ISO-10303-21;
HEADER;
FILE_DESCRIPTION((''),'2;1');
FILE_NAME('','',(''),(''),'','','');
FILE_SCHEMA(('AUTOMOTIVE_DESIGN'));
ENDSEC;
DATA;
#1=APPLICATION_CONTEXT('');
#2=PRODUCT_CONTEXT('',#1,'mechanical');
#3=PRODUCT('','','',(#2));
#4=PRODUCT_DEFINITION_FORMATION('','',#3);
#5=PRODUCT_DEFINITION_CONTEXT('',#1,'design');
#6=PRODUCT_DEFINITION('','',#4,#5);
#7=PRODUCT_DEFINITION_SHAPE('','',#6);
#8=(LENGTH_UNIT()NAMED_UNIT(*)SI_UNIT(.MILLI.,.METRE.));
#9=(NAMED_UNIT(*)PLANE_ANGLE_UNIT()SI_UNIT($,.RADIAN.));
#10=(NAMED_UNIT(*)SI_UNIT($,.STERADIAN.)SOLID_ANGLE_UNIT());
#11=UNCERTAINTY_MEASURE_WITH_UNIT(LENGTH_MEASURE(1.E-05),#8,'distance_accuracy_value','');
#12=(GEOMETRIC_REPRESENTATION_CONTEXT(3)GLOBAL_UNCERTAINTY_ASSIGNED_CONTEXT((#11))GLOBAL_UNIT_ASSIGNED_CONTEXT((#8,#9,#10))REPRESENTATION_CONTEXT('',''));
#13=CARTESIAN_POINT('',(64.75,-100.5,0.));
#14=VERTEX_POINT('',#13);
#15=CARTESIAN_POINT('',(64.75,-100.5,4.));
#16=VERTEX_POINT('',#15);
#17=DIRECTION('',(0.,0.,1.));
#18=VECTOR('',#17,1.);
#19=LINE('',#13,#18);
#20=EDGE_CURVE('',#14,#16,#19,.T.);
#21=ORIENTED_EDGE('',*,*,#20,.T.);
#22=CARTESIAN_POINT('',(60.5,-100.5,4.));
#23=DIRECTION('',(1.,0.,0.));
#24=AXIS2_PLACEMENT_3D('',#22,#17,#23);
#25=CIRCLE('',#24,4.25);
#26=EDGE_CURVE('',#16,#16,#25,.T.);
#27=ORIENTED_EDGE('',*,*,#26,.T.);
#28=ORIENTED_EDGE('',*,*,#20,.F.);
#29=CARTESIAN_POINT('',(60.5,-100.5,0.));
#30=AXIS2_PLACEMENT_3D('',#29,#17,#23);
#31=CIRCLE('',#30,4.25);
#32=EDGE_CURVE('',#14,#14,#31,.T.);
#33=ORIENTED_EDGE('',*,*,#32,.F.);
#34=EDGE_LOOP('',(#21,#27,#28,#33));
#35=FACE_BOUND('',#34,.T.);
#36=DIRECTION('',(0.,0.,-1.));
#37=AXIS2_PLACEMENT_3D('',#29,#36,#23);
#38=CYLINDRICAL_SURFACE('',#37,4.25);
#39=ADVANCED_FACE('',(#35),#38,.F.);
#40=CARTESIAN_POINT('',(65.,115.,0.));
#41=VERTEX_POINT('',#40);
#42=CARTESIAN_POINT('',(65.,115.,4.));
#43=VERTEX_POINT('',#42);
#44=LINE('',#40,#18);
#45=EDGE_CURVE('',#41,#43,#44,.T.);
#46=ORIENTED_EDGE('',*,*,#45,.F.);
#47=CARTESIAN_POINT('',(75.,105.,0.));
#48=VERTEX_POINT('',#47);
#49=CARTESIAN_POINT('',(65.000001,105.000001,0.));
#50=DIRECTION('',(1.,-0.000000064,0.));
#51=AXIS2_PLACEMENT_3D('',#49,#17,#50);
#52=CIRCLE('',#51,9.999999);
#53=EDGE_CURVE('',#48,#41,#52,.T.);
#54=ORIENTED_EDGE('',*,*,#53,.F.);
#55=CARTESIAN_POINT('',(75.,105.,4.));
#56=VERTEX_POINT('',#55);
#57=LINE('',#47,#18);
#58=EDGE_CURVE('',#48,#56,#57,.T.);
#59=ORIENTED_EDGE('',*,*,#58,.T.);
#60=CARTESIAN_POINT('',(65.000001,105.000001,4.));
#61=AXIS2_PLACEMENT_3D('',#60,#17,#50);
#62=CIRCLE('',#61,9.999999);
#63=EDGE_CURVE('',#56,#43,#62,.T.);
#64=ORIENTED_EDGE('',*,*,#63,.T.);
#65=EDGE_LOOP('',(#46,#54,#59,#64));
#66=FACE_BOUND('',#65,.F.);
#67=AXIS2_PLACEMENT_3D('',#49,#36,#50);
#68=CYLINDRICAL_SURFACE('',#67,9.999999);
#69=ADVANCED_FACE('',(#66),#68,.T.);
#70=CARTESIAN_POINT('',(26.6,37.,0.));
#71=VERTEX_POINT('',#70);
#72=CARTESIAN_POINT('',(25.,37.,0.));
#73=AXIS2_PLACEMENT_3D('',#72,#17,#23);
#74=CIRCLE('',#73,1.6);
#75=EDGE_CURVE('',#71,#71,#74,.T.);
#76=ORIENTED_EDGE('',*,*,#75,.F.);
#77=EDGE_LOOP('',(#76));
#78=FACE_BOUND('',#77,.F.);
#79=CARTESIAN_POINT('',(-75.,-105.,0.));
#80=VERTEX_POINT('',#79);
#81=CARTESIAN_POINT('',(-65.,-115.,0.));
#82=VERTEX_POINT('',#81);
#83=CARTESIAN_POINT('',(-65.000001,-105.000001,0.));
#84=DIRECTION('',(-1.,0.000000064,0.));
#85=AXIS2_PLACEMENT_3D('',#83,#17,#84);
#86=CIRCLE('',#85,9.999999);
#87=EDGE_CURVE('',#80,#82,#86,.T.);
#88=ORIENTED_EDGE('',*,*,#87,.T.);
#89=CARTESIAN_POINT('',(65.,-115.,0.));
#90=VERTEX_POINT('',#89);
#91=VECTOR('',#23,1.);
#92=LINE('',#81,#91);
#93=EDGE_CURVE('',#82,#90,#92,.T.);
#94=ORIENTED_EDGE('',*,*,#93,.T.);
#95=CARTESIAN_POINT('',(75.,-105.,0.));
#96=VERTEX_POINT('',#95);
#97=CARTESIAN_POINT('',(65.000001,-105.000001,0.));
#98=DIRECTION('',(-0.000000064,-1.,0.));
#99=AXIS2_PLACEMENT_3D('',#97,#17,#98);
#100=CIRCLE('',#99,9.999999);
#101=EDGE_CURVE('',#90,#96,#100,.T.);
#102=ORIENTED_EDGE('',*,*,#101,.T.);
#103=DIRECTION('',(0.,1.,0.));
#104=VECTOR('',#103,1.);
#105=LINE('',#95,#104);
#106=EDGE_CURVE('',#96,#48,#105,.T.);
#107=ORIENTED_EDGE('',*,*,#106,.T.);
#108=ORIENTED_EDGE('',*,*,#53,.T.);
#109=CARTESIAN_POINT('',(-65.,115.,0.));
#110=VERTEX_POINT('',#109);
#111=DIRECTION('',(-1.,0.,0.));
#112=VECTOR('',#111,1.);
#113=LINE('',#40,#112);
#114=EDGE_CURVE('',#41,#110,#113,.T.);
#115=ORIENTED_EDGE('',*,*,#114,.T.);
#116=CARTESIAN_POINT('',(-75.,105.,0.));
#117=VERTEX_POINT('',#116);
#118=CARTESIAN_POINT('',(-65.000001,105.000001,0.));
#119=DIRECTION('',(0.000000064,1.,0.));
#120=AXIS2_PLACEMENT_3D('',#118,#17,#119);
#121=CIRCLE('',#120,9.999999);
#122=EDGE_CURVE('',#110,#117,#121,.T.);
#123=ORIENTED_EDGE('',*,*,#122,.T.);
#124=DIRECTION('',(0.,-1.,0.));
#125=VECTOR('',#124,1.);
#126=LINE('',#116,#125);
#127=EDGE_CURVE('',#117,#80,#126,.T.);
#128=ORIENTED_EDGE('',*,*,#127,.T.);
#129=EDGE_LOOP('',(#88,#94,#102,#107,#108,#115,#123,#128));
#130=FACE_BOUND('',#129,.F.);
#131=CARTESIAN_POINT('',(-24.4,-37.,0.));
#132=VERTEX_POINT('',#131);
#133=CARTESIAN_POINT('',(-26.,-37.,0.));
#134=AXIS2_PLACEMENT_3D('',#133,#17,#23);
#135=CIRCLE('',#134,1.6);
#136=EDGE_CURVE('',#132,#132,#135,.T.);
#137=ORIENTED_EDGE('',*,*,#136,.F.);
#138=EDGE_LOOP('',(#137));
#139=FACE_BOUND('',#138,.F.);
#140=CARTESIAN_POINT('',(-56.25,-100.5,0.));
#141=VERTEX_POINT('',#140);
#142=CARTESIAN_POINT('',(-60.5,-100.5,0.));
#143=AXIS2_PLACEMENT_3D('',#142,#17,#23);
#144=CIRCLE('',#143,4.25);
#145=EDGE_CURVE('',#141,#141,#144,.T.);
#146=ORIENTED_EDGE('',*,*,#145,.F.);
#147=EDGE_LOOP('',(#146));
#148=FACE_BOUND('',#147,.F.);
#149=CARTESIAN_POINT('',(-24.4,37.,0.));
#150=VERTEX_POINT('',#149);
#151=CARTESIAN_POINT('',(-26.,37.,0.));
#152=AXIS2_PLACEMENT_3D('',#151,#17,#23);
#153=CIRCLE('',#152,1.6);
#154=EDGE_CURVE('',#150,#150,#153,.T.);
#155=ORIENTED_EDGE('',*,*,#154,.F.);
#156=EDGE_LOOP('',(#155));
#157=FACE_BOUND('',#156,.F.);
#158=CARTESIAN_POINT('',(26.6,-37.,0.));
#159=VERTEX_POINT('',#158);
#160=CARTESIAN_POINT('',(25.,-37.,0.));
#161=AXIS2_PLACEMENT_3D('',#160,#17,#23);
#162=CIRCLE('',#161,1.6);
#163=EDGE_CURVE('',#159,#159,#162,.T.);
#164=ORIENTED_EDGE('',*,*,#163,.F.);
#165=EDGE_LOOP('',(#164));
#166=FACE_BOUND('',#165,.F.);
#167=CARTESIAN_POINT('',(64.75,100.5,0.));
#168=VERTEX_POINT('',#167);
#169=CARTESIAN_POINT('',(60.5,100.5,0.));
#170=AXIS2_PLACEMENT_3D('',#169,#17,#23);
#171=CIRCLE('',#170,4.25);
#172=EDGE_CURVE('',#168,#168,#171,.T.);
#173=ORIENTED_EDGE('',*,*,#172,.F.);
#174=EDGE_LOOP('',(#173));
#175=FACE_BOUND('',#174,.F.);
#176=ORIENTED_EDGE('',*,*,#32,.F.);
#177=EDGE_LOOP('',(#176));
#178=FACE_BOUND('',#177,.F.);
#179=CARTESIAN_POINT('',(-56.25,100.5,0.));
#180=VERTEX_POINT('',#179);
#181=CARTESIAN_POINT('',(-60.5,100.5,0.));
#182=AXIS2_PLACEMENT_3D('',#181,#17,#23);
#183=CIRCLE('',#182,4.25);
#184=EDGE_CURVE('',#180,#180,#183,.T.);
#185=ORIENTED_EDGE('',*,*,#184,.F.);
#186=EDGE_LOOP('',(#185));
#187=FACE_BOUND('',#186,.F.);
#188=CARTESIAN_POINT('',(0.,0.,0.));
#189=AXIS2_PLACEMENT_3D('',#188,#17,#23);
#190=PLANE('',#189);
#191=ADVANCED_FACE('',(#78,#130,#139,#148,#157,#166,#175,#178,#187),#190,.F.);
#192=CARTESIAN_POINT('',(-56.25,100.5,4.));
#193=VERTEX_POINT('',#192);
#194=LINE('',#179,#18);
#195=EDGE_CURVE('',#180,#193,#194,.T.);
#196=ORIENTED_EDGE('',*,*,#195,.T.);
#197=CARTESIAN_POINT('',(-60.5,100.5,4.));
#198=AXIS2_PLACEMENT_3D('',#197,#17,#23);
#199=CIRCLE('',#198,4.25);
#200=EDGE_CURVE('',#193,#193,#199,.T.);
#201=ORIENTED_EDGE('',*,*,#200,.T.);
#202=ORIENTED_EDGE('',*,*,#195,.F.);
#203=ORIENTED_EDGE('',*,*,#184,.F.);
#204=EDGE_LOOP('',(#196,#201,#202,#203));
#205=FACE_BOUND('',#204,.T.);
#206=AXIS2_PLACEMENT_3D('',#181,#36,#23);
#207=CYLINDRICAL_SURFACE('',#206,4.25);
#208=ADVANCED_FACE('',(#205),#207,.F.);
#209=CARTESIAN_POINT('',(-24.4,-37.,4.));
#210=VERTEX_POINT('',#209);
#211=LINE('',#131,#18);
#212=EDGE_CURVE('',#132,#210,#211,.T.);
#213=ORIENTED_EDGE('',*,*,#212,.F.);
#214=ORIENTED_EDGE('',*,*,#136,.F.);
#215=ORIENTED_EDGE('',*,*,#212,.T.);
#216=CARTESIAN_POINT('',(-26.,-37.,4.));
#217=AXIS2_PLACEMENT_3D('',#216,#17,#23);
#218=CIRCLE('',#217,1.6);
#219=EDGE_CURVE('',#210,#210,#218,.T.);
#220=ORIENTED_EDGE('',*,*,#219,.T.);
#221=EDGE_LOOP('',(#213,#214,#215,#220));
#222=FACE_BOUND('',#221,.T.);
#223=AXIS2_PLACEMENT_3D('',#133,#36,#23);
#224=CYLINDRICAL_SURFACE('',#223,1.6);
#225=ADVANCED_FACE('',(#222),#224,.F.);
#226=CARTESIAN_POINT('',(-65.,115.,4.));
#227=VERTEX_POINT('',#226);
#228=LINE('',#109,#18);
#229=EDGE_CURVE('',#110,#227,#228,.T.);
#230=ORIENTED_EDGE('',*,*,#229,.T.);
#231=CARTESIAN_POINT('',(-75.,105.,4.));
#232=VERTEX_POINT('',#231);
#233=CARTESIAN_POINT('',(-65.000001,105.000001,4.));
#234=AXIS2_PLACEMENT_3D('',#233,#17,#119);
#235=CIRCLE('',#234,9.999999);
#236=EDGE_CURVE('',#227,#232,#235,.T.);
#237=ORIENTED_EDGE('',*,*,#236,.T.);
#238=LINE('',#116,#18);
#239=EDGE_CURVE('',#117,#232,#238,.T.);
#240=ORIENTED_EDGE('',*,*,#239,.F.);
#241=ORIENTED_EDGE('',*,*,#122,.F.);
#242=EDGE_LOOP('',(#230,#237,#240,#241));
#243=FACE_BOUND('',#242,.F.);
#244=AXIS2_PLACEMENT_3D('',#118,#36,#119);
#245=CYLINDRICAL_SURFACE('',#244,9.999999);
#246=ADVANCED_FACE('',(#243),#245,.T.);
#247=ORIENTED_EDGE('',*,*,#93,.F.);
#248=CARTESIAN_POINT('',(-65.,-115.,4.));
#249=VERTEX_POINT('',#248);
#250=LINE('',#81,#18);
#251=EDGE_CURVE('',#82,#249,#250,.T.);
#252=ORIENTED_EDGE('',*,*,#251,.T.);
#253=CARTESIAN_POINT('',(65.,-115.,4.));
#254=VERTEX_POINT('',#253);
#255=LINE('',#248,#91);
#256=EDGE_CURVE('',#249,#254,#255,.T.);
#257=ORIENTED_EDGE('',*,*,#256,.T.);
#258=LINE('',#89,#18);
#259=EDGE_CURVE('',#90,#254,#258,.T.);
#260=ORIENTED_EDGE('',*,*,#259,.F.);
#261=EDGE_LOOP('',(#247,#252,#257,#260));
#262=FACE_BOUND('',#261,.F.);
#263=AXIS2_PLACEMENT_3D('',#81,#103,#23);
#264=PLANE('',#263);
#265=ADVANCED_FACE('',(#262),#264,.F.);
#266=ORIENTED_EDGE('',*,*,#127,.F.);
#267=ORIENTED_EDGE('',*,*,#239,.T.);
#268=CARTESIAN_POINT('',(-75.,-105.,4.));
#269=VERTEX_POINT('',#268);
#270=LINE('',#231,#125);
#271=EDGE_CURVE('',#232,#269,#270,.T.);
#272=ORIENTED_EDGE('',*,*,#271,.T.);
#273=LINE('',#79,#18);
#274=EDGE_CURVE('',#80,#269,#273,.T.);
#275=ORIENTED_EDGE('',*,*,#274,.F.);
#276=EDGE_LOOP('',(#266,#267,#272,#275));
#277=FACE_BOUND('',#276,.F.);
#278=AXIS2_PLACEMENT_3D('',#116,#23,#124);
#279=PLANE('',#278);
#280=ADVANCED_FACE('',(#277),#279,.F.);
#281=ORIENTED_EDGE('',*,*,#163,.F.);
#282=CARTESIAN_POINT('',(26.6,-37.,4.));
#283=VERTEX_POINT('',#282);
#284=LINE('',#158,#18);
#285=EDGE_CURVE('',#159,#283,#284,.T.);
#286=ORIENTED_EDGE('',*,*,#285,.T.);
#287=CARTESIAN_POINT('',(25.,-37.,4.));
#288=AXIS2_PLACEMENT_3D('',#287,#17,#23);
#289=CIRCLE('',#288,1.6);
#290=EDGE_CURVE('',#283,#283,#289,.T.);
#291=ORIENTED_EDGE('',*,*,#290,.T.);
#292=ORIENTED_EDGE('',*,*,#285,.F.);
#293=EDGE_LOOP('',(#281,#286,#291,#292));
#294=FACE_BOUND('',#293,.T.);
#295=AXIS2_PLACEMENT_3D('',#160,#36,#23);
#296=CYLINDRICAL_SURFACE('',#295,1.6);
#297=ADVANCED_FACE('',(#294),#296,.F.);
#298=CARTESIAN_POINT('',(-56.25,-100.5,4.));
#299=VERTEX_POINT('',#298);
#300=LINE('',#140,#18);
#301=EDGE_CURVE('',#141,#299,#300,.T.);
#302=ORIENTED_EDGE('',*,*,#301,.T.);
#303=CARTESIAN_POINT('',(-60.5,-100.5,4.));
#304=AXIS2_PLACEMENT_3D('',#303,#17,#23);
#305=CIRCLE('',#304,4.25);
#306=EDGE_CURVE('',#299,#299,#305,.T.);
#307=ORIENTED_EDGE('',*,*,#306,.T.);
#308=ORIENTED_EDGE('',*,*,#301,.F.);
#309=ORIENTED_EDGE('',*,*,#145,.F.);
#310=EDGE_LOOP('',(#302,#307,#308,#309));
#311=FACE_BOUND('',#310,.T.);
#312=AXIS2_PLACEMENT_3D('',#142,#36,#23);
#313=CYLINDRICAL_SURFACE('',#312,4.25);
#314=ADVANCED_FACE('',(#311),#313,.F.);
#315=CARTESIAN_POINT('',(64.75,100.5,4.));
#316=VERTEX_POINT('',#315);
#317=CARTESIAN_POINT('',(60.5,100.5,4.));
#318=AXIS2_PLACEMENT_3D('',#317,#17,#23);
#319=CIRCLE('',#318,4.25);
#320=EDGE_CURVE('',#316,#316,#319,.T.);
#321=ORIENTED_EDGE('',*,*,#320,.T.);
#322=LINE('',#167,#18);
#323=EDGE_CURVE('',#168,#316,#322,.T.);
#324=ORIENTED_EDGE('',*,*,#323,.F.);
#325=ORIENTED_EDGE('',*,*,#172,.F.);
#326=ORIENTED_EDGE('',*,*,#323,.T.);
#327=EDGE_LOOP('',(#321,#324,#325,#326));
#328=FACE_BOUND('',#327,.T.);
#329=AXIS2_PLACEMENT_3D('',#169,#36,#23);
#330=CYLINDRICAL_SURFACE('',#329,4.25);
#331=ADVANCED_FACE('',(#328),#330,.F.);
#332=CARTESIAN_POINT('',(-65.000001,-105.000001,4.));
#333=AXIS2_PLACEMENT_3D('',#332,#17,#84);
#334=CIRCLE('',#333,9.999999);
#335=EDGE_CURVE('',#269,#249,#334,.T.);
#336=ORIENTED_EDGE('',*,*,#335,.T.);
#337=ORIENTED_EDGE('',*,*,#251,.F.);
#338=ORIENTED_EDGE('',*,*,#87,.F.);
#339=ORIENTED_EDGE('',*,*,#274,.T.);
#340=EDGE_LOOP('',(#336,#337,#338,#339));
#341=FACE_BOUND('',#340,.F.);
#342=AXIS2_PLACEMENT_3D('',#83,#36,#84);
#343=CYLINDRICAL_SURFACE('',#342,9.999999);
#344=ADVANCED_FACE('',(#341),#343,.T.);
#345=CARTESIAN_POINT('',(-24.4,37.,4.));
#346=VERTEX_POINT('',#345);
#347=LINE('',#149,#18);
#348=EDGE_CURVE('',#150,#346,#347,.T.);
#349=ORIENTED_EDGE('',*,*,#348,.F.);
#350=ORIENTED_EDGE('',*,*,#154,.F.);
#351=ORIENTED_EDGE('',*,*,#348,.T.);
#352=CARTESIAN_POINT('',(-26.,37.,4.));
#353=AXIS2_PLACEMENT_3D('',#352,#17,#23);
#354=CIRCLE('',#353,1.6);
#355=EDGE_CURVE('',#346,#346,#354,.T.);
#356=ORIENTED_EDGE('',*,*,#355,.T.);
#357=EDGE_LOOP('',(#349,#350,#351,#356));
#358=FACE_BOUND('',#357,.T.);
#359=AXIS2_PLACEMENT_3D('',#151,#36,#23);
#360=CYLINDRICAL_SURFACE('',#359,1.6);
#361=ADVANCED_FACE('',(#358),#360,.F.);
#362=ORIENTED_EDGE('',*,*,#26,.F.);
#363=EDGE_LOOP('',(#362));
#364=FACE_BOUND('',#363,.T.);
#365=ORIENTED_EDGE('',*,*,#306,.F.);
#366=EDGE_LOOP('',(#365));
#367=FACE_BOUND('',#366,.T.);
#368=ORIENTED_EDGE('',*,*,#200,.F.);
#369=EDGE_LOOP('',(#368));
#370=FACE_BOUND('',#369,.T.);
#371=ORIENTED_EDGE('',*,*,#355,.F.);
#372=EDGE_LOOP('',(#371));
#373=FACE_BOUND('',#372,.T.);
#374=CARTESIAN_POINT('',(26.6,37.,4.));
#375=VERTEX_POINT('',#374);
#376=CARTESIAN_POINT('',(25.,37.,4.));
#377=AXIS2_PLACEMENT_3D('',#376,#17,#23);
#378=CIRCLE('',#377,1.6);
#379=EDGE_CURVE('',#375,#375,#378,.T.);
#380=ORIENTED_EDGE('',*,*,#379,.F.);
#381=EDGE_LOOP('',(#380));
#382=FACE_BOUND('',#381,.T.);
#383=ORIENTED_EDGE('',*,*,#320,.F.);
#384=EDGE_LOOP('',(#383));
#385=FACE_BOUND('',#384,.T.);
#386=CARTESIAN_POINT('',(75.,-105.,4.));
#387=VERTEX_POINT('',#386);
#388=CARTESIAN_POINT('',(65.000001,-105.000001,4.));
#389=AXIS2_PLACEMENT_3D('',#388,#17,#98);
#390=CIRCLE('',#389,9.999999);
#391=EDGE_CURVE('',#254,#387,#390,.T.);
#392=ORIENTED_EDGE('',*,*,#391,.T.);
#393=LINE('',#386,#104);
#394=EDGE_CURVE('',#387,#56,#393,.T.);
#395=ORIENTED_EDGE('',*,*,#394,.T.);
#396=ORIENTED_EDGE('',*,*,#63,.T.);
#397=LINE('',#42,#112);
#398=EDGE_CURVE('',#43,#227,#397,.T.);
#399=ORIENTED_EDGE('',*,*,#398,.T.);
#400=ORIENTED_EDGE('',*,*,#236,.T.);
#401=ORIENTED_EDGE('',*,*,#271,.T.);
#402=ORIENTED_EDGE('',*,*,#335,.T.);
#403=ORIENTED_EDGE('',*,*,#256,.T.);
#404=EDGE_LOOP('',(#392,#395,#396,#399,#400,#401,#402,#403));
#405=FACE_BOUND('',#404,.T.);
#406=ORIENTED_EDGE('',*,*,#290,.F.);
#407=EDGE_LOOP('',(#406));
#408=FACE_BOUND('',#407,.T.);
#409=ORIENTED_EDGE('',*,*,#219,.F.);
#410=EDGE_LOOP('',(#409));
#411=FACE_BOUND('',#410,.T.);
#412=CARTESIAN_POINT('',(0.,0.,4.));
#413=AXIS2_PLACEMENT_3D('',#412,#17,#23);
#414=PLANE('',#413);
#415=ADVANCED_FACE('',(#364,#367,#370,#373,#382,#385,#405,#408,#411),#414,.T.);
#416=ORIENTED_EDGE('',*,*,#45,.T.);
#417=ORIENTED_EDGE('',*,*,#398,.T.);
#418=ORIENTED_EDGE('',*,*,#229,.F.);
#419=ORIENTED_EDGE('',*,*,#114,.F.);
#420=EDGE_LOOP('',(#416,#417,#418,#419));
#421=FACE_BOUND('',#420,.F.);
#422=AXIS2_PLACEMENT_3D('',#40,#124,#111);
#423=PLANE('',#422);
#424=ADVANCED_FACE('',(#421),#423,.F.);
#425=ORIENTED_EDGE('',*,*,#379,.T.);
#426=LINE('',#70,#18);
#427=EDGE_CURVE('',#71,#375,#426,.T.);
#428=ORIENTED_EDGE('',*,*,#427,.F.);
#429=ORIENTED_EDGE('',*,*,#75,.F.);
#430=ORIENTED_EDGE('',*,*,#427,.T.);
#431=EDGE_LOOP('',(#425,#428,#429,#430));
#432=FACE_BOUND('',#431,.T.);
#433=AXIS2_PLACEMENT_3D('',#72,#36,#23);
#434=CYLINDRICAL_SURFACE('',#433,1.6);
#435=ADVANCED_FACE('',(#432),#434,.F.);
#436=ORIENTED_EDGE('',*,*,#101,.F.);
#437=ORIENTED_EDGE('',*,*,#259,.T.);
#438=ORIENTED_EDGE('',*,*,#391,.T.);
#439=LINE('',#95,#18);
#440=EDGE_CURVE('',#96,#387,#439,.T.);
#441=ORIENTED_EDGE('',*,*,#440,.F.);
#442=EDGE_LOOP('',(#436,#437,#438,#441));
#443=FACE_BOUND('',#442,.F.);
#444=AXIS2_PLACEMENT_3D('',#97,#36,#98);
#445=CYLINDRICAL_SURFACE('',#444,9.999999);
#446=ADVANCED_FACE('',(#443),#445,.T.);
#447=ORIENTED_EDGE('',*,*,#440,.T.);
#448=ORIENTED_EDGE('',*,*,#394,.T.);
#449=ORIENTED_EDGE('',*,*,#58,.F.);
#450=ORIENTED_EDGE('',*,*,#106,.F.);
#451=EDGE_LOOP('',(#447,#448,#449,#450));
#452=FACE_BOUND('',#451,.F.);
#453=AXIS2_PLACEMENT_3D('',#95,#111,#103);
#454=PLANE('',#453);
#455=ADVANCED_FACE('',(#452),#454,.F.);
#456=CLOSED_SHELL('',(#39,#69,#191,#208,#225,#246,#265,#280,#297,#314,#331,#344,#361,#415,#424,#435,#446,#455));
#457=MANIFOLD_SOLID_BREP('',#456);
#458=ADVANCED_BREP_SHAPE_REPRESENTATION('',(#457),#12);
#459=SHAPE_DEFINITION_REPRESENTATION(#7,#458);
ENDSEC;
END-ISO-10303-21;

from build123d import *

# Parameters (mm, degrees)
F0_R     = 4.25
F0_R_2   = 1.6
F1_DEPTH = 4


with BuildPart() as f1:
    # F0 (on Top) → F1 (new body)
    with BuildSketch(Plane.XY):
        with BuildLine():
            Line((-65, -115), (65, -115))
            ThreePointArc((65, -115), (72.071068, -112.071068), (75, -105))
            Line((75, -105), (75, 105))
            ThreePointArc((75, 105), (72.071068, 112.071068), (65, 115))
            Line((65, 115), (-65, 115))
            ThreePointArc((-65, 115), (-72.071068, 112.071068), (-75, 105))
            Line((-75, 105), (-75, -105))
            ThreePointArc((-75, -105), (-72.071068, -112.071068), (-65, -115))
        make_face()
        with Locations((-60.5, -100.5)):
            Circle(F0_R, mode=Mode.SUBTRACT)
        with Locations((-26, -37)):
            Circle(F0_R_2, mode=Mode.SUBTRACT)
        with Locations((60.5, -100.5)):
            Circle(F0_R, mode=Mode.SUBTRACT)
        with Locations((25, -37)):
            Circle(F0_R_2, mode=Mode.SUBTRACT)
        with Locations((-26, 37)):
            Circle(F0_R_2, mode=Mode.SUBTRACT)
        with Locations((-60.5, 100.5)):
            Circle(F0_R, mode=Mode.SUBTRACT)
        with Locations((25, 37)):
            Circle(F0_R_2, mode=Mode.SUBTRACT)
        with Locations((60.5, 100.5)):
            Circle(F0_R, mode=Mode.SUBTRACT)
    extrude(amount=F1_DEPTH)


solid = f1.part
